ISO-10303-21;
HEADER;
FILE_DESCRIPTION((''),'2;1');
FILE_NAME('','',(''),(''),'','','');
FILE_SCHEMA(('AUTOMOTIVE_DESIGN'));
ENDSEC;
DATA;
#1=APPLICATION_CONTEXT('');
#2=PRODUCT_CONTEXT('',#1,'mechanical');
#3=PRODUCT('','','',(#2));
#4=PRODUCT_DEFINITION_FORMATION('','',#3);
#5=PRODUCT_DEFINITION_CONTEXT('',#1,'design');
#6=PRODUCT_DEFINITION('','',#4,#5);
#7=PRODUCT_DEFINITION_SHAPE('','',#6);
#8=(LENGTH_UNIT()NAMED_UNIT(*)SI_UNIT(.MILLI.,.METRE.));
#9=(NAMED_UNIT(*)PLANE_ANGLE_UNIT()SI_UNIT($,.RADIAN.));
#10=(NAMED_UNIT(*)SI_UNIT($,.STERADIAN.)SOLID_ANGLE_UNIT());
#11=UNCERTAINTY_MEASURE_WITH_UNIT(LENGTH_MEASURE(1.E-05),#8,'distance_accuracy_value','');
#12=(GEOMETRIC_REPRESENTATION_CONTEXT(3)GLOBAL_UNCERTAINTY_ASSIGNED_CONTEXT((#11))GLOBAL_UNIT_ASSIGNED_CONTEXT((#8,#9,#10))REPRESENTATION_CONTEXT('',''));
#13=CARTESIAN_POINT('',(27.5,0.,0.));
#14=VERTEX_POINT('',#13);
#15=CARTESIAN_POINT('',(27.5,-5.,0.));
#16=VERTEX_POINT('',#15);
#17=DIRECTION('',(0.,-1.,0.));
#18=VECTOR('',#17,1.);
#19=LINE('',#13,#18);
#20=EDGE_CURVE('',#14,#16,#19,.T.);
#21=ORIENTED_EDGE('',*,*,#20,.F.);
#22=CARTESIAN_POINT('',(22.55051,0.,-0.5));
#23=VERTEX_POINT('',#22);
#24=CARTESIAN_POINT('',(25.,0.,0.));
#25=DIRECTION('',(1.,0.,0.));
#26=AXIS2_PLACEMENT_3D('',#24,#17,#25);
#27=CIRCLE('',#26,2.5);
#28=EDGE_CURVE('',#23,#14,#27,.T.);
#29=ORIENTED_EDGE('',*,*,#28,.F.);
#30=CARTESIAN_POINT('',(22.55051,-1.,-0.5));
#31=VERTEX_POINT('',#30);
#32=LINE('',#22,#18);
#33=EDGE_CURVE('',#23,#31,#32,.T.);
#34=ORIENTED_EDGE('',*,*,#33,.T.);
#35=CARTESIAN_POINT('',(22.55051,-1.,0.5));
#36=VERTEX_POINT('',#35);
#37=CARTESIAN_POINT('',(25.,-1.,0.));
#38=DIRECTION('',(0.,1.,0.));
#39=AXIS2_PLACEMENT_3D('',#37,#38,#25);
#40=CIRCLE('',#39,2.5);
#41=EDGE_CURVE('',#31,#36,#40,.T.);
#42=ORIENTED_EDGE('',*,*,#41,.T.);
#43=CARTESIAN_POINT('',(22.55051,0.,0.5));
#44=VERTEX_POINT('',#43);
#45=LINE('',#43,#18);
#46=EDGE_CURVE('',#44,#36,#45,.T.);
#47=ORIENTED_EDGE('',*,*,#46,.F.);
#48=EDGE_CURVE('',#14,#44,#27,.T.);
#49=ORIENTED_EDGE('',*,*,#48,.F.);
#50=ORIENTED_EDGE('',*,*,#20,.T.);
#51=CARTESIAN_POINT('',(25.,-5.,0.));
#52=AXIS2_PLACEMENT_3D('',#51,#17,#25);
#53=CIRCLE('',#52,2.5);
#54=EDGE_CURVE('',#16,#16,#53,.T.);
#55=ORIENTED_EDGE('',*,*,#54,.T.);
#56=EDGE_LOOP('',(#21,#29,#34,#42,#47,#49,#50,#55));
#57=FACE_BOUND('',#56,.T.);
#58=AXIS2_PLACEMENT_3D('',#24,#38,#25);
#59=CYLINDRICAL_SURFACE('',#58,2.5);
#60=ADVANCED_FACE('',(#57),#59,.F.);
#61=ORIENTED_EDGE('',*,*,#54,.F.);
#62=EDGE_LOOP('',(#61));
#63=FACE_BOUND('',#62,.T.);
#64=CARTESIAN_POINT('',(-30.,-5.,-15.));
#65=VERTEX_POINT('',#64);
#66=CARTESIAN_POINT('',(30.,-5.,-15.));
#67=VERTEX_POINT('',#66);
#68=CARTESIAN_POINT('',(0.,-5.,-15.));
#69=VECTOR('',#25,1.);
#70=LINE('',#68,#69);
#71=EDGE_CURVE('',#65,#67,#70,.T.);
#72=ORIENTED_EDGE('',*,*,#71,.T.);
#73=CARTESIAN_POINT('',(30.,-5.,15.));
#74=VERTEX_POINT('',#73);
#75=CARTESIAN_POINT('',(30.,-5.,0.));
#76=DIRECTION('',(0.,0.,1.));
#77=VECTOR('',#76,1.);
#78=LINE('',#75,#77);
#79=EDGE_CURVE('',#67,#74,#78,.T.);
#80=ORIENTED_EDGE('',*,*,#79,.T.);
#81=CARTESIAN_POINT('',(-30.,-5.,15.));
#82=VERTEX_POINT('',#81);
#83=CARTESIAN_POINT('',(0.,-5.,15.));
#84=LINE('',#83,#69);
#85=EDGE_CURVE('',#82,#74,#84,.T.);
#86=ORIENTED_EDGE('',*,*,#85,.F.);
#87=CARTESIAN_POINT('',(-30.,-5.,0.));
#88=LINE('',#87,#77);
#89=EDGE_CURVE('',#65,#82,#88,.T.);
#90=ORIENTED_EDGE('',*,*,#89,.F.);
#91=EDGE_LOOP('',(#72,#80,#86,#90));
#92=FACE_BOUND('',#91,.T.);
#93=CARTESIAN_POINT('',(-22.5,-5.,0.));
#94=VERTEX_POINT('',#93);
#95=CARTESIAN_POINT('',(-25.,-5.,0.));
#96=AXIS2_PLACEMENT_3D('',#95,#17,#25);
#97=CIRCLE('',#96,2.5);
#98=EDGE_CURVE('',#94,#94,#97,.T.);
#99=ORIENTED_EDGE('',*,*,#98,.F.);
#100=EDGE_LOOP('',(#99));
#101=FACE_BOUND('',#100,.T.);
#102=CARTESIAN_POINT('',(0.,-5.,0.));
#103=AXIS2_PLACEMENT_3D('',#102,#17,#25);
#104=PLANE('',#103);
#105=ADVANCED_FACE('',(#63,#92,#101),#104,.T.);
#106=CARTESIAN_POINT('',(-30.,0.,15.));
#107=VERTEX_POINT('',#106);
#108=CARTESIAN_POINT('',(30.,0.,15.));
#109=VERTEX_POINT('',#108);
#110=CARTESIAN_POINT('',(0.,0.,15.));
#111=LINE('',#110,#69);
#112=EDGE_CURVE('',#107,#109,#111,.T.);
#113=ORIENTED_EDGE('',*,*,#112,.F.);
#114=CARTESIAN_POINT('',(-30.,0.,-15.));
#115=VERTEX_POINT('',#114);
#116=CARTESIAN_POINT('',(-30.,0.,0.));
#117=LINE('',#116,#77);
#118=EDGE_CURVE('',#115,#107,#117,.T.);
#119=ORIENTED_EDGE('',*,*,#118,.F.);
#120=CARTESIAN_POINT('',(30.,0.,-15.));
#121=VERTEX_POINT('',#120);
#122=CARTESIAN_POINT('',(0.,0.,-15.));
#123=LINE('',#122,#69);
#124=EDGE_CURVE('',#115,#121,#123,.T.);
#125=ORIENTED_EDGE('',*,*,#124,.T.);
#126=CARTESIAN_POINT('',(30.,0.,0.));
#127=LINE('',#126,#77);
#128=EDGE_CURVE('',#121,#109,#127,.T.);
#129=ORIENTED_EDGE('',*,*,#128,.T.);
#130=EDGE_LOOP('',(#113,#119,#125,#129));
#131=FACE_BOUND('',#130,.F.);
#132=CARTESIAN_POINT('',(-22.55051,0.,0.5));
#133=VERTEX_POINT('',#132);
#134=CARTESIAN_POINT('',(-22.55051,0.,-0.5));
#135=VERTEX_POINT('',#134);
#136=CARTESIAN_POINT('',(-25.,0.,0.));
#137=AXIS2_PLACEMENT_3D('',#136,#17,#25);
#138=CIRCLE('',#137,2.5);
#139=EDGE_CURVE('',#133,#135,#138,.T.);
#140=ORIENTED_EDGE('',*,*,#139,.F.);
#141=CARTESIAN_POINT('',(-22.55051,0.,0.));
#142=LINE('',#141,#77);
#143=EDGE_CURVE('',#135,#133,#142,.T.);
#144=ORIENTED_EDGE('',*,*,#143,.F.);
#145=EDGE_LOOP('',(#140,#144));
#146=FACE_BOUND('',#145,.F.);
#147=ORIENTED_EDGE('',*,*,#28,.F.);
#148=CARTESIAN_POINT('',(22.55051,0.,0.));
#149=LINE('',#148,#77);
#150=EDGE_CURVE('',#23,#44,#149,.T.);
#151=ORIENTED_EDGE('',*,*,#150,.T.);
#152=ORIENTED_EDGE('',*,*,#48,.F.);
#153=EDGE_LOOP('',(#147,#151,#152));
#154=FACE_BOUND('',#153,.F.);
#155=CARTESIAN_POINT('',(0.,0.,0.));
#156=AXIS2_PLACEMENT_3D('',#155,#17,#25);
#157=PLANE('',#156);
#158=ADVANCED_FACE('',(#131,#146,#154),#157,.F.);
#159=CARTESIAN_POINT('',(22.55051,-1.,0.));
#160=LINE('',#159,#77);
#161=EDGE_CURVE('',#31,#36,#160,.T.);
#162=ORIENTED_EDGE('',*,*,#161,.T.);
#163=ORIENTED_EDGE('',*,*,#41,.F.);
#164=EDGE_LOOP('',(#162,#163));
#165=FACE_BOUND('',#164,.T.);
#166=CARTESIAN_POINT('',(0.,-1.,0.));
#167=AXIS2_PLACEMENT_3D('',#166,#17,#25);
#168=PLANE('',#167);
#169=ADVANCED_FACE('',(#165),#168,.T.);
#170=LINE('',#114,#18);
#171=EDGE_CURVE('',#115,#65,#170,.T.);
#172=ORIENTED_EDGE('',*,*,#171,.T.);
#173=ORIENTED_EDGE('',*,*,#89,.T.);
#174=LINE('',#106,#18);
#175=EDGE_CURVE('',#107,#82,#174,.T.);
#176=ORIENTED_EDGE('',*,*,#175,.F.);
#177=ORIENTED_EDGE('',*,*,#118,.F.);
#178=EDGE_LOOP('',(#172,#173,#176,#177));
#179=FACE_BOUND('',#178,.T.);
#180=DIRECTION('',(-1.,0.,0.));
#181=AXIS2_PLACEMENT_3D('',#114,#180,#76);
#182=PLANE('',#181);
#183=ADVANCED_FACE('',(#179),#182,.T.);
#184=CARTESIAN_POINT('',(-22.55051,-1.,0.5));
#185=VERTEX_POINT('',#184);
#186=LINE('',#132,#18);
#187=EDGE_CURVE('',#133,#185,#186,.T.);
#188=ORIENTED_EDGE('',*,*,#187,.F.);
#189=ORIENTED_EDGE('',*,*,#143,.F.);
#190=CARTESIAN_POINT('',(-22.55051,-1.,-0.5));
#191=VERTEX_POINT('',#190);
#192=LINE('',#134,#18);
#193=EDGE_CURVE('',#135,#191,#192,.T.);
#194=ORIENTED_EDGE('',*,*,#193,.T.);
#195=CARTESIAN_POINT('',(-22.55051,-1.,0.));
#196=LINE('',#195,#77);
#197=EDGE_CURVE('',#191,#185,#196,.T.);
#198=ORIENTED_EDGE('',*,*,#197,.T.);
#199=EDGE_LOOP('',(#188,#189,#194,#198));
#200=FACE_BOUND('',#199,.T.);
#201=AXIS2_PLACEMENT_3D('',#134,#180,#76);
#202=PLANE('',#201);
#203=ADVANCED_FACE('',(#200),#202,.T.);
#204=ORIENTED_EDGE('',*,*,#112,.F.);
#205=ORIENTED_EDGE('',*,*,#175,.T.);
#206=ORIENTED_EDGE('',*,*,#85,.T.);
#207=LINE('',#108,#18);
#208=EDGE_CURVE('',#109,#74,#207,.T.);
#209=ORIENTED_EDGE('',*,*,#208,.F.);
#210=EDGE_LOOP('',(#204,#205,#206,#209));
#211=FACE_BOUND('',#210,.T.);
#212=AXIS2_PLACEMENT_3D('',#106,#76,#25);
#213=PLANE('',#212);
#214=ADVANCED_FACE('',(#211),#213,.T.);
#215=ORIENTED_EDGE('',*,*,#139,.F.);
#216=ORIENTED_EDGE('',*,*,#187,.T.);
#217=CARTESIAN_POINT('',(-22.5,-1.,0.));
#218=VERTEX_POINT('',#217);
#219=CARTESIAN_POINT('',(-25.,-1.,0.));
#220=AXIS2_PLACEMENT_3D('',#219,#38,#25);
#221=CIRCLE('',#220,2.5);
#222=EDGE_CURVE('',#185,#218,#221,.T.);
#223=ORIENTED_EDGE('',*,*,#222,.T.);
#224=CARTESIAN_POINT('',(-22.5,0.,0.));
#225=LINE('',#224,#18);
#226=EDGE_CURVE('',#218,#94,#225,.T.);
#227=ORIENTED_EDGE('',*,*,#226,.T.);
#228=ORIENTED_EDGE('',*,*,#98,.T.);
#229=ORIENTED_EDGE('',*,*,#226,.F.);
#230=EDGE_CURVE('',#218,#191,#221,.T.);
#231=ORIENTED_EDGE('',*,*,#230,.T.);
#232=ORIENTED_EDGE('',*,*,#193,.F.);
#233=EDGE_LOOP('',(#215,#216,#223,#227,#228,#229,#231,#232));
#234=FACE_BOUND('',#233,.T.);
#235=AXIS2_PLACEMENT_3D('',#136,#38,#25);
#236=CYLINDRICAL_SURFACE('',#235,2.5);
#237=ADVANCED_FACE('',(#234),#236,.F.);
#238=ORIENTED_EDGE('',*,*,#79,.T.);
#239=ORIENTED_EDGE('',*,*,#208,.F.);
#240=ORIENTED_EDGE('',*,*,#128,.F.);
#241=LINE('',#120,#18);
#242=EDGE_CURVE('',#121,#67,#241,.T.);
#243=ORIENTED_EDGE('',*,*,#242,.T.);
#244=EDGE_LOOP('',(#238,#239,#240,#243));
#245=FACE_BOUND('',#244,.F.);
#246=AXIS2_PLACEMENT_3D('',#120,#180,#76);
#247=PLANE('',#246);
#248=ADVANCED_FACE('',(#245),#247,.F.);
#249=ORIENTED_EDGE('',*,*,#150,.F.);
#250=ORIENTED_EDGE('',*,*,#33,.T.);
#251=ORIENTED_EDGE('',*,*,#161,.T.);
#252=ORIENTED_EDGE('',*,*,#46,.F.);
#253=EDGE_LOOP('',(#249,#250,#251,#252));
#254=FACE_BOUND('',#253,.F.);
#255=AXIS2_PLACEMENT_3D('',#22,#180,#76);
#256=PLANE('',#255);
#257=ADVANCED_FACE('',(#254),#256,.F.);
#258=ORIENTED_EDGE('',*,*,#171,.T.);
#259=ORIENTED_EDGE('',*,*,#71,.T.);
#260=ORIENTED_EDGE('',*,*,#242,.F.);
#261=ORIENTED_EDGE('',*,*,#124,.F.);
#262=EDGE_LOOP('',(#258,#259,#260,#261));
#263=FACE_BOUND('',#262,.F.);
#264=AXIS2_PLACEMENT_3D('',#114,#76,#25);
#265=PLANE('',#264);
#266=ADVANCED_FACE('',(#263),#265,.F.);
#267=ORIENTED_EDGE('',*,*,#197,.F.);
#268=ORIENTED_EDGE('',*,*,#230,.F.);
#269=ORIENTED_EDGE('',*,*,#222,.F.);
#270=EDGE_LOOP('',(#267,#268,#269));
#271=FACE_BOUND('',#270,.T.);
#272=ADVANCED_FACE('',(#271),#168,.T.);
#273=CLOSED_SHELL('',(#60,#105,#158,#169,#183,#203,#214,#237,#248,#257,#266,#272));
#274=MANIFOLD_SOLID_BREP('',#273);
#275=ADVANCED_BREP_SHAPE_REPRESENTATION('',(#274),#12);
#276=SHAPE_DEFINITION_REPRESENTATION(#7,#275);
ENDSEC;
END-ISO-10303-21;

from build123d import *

# Parameters (mm, degrees)
F0_W     = 60
F0_H     = 30
F0_R     = 2.5
F1_DEPTH = 5
F2_W     = 45.10102
F2_H     = 1
F3_DEPTH = 1


with BuildPart() as f1:
    # F0 (on Front) → F1 (new body)
    with BuildSketch(Plane.XZ):
        Rectangle(F0_W, F0_H)
        with Locations((-25, 0)):
            Circle(F0_R, mode=Mode.SUBTRACT)
        with Locations((25, 0)):
            Circle(F0_R, mode=Mode.SUBTRACT)
    extrude(amount=F1_DEPTH)

    # F2 (on Front) → F3 (join)
    with BuildSketch(Plane.XZ):
        Rectangle(F2_W, F2_H)
    extrude(amount=F3_DEPTH)


solid = f1.part
